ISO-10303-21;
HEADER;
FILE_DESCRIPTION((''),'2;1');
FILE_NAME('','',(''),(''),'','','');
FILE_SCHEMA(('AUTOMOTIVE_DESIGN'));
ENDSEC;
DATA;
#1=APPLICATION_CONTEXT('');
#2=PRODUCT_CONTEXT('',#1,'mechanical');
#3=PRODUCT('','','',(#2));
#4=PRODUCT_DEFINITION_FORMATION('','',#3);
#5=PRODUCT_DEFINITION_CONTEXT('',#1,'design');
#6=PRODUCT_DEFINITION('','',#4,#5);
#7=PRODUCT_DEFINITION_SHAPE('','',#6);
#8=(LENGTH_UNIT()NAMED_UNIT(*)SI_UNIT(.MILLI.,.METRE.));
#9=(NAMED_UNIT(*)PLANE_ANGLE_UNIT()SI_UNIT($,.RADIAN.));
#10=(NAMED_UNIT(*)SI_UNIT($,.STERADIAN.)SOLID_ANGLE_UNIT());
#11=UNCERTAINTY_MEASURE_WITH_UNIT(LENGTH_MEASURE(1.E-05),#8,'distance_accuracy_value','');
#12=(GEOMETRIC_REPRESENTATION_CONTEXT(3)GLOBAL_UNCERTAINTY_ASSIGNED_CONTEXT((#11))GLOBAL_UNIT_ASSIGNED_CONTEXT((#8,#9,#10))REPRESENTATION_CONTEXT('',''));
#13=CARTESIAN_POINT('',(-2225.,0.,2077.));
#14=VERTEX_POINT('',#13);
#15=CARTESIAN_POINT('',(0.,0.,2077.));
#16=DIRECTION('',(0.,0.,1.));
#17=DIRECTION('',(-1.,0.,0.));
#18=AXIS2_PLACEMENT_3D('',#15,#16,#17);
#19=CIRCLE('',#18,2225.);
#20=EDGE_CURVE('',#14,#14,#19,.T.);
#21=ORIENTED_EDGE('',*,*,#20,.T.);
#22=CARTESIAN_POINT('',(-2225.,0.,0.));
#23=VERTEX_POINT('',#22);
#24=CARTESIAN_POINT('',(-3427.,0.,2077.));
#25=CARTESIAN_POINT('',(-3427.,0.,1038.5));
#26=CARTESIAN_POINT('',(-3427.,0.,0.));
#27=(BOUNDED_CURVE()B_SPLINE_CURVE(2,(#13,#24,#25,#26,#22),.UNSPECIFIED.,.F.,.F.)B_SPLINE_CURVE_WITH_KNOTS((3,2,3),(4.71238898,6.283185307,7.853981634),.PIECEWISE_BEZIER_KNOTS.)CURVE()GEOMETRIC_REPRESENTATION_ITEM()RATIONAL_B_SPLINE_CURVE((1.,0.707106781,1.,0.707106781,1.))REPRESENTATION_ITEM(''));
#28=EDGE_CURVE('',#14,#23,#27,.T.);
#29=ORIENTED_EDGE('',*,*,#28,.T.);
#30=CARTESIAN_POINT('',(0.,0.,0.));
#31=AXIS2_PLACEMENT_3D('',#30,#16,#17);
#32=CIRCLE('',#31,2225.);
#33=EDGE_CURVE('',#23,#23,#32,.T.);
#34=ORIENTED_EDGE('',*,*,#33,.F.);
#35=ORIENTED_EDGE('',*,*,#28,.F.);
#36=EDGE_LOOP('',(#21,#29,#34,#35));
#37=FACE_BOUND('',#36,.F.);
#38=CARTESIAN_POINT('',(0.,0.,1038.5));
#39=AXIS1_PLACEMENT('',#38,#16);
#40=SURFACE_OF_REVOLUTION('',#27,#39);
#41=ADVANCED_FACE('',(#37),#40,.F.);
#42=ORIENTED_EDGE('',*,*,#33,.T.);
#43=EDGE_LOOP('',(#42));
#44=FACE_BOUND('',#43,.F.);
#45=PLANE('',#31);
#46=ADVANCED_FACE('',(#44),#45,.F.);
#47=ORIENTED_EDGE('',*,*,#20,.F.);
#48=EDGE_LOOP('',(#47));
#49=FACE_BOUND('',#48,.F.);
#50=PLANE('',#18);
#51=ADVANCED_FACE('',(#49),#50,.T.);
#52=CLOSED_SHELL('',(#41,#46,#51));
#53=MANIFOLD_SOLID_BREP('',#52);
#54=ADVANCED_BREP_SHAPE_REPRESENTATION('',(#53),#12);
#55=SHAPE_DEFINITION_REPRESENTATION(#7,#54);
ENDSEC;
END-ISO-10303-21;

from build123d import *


with BuildPart() as f2:
    # F0 (on Front) → F2 (revolve)
    with BuildSketch(Plane.XZ):
        with BuildLine():
            Line((-2225, 0), (0, 0))
            Line((0, 0), (0, 2077))
            Line((0, 2077), (-2225, 2077))
            add(Edge.make_bspline(
                [(-2225, 2077), (-3427, 2077), (-3427, 1038.5), (-3427, 0), (-2225, 0)],
                knots=[4.7123889804, 4.7123889804, 4.7123889804, 6.2831853072, 6.2831853072, 7.853981634, 7.853981634, 7.853981634], degree=2, weights=[1, 0.7071067812, 1, 0.7071067812, 1]))
        make_face()
    revolve(axis=Axis((0, 0, 1038.5), (0, 0, 1)))


solid = f2.part
